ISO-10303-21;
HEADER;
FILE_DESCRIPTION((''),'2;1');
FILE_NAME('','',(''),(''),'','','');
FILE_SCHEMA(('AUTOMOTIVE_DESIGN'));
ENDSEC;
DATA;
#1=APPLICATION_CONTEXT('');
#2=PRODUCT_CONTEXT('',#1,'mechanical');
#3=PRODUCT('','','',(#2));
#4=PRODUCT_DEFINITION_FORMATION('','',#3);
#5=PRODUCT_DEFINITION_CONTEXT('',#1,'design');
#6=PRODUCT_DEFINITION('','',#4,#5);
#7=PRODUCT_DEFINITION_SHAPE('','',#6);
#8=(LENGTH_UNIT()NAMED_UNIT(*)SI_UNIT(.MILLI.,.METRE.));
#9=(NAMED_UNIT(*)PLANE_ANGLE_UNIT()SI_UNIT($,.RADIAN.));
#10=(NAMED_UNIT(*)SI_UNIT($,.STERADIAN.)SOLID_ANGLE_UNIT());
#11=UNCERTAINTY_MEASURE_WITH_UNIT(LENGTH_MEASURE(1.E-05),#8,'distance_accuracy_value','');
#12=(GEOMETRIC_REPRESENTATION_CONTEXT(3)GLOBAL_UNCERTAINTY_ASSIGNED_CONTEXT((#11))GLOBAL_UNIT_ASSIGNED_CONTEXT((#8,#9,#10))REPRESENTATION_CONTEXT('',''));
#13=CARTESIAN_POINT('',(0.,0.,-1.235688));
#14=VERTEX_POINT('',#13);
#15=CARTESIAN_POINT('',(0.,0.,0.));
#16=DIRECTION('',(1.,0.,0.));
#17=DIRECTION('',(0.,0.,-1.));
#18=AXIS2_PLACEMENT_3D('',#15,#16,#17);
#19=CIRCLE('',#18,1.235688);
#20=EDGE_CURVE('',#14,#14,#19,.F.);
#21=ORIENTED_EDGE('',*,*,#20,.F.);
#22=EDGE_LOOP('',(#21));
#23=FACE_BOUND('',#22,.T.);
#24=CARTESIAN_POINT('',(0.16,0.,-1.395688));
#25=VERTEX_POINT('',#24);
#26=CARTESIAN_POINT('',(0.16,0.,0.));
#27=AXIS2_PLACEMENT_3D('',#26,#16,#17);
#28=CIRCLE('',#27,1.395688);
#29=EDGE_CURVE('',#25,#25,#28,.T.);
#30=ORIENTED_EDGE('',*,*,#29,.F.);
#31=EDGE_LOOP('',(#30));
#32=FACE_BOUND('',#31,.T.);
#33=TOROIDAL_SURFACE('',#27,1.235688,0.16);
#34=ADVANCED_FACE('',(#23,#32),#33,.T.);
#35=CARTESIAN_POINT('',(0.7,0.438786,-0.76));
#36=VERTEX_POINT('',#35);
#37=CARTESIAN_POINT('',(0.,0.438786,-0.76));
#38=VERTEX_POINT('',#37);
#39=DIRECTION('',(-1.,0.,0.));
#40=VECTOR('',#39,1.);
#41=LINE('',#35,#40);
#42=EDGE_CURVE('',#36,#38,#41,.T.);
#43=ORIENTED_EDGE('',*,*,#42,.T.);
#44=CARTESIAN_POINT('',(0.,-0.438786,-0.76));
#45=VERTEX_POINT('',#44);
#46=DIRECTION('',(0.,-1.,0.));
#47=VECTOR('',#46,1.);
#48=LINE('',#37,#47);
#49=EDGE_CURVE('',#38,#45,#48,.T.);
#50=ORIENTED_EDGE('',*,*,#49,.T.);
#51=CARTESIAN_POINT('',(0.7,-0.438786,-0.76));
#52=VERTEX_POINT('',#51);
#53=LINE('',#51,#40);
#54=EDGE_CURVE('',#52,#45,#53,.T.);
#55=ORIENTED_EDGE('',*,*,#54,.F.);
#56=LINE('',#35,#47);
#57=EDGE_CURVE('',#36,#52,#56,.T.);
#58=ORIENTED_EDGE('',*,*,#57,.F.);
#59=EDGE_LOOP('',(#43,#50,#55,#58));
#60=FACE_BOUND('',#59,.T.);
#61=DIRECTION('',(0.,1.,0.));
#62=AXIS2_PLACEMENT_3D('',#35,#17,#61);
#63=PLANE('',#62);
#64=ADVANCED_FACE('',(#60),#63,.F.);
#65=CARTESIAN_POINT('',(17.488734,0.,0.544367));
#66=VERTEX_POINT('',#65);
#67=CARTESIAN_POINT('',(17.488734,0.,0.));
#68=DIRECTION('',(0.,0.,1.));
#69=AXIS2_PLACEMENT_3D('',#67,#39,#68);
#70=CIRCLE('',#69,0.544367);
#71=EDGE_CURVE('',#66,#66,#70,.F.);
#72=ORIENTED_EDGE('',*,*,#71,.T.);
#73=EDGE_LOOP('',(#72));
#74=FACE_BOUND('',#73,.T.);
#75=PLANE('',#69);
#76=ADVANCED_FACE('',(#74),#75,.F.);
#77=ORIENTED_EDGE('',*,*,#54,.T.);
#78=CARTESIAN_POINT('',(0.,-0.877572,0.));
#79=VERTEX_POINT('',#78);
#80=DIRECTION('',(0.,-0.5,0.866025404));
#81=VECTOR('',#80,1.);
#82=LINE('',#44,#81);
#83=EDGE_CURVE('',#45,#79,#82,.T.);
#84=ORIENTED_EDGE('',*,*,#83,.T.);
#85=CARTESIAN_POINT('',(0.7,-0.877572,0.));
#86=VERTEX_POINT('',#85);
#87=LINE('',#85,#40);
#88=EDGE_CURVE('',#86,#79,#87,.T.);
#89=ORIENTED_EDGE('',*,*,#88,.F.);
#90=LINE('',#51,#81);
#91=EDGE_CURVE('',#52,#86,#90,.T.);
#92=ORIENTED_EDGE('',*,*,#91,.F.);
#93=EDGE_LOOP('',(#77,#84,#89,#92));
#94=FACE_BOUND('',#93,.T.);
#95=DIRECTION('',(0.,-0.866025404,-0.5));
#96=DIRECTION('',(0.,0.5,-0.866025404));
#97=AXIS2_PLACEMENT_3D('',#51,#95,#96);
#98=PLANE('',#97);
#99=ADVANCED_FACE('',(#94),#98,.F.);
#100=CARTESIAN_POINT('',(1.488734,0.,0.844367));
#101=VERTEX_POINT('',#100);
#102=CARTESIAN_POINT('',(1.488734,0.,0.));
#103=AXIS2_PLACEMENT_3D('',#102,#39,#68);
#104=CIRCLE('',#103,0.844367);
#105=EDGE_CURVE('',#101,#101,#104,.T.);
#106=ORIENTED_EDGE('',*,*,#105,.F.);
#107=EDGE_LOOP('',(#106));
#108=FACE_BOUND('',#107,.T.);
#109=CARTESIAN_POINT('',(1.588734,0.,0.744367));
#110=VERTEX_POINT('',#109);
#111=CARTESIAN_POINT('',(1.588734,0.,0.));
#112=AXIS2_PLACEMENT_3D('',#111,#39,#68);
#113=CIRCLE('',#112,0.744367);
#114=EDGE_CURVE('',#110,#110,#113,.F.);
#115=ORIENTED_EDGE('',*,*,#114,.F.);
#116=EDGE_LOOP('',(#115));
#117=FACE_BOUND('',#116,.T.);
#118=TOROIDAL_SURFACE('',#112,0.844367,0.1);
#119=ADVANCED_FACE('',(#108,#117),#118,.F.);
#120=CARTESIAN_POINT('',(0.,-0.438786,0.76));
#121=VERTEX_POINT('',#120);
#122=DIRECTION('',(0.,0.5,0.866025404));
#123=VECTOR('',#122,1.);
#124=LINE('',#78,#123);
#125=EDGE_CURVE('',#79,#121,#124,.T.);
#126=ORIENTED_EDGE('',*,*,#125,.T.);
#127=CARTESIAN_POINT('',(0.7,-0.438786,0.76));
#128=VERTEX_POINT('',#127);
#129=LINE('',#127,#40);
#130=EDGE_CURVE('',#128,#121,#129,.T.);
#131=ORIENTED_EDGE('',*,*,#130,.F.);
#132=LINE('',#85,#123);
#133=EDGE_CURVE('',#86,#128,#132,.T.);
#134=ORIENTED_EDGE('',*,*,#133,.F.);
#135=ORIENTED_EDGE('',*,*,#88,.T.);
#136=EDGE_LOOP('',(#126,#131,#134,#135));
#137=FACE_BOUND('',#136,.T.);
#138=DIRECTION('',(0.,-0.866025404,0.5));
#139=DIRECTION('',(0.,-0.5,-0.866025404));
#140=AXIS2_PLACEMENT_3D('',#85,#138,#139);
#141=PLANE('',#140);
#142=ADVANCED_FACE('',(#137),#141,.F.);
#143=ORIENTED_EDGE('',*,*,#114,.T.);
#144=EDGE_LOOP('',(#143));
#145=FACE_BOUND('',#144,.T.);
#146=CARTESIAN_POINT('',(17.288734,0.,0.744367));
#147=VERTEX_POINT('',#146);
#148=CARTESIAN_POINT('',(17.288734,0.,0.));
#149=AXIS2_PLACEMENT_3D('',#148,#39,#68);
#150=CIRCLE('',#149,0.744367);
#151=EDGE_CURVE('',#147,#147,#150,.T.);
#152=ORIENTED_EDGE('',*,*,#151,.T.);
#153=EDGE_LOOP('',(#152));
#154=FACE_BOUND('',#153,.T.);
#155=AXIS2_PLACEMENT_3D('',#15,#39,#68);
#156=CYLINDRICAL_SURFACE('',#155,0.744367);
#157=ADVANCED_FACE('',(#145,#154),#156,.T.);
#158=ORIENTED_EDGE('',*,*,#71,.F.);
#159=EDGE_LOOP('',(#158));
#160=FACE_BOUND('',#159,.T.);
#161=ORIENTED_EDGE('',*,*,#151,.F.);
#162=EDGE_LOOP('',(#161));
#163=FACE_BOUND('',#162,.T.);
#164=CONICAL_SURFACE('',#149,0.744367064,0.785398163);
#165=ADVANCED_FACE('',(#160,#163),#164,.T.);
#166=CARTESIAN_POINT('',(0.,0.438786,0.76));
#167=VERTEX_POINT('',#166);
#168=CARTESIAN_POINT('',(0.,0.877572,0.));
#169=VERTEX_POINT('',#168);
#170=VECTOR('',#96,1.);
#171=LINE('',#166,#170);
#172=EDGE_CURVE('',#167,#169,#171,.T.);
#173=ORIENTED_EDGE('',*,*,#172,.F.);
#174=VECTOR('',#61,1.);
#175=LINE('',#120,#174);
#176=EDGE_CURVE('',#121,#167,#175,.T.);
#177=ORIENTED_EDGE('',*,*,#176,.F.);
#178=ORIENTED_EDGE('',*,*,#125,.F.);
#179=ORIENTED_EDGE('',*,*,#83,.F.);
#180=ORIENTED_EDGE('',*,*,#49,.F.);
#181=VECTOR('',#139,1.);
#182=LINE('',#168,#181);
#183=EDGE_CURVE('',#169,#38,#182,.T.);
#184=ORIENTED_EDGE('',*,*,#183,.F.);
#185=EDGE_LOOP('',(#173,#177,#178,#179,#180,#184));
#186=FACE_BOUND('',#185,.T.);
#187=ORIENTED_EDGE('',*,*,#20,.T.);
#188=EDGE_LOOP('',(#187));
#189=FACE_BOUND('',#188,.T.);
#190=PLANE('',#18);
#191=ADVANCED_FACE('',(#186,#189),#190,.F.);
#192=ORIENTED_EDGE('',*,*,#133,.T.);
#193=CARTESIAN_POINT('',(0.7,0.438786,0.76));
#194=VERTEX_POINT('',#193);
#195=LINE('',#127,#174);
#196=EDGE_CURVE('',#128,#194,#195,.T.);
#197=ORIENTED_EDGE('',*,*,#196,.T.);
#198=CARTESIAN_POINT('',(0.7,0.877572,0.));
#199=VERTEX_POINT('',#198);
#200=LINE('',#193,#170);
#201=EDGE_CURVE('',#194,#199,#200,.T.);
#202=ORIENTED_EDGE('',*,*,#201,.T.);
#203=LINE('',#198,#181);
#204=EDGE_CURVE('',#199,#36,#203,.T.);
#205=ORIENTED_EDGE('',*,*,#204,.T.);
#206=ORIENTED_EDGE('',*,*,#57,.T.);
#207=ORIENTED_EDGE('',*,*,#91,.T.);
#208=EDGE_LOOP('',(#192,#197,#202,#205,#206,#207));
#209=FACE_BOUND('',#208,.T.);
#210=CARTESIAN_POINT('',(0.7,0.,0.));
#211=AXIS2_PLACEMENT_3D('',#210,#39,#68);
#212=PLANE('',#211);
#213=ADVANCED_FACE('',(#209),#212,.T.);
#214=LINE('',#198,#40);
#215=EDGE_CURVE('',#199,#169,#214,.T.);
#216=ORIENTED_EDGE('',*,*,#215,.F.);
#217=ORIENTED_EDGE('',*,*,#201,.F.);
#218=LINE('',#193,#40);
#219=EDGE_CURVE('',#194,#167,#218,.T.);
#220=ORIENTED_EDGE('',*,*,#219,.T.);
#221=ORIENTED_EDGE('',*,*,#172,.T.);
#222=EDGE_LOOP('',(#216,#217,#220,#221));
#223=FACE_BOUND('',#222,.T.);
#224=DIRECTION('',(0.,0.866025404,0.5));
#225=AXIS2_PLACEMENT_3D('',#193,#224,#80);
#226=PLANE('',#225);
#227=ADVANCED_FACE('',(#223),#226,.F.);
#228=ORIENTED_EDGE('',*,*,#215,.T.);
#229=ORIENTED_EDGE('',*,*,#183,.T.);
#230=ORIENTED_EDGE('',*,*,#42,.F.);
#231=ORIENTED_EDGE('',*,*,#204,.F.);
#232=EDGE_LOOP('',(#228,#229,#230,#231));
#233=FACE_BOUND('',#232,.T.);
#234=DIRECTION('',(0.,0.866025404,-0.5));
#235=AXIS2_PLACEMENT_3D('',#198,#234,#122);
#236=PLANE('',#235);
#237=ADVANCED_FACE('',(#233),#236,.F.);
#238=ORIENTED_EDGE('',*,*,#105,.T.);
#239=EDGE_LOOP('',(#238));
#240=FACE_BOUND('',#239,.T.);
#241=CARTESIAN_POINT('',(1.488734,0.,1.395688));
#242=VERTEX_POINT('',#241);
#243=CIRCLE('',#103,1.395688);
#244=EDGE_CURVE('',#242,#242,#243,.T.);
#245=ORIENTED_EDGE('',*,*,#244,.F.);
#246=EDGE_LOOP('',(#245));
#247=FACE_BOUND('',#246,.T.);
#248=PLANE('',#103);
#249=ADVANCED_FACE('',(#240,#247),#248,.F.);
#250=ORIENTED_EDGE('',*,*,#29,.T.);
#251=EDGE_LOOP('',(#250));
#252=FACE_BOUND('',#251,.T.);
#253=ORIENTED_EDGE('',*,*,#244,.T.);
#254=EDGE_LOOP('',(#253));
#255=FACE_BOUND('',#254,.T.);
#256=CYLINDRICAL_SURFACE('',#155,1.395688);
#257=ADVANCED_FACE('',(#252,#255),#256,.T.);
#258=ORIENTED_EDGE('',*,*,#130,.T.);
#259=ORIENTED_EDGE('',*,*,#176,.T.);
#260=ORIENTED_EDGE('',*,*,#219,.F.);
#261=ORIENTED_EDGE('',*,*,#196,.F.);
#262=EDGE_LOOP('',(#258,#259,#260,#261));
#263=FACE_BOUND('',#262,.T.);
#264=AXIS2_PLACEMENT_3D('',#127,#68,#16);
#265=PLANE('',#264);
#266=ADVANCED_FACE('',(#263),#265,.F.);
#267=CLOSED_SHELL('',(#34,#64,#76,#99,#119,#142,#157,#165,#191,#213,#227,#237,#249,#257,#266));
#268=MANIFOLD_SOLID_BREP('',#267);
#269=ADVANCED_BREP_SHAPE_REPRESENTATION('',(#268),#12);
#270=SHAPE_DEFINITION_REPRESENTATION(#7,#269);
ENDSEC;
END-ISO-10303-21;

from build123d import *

# Parameters (mm, degrees)
FILLET1_R      = 0.1
FILLET2_R      = 0.16
CHAMFER1_SIZE  = 0.2
EXTRUDE1_DEPTH = 0.7


with BuildPart() as part:
    # Sketch1 → Revolve1 (revolve)
    with BuildSketch(Plane.XY):
        Polygon((0, 1.395688245), (0, 0), (17.488734128, 0), (17.488734128, 0.744367064), (1.488734128, 0.744367064), (1.488734128, 1.395688245), align=None)
    revolve(axis=Axis((0, 0, 0), (1, 0, 0)))

    # Fillet1
    fillet1_edges = [part.edges().sort_by_distance(p)[0] for p in [
        (1.488734128, -0.744367064, 0),
    ]]
    fillet(fillet1_edges, radius=FILLET1_R)

    # Fillet2
    fillet2_edges = [part.edges().sort_by_distance(p)[0] for p in [
        (0, -1.395688245, 0),
    ]]
    fillet(fillet2_edges, radius=FILLET2_R)

    # Chamfer1
    chamfer1_edges = [part.edges().sort_by_distance(p)[0] for p in [
        (17.488734128, -0.744367064, 0),
    ]]
    chamfer(chamfer1_edges, length=CHAMFER1_SIZE)

    # Sketch2 → Extrude1 (cut)
    with BuildSketch(Plane.ZY):
        Polygon((0, 0.877572409), (-0.76, 0.438786205), (-0.76, -0.438786205), (0, -0.877572409), (0.76, -0.438786205), (0.76, 0.438786205), align=None)
    extrude(amount=-EXTRUDE1_DEPTH, mode=Mode.SUBTRACT)


solid = part.part
